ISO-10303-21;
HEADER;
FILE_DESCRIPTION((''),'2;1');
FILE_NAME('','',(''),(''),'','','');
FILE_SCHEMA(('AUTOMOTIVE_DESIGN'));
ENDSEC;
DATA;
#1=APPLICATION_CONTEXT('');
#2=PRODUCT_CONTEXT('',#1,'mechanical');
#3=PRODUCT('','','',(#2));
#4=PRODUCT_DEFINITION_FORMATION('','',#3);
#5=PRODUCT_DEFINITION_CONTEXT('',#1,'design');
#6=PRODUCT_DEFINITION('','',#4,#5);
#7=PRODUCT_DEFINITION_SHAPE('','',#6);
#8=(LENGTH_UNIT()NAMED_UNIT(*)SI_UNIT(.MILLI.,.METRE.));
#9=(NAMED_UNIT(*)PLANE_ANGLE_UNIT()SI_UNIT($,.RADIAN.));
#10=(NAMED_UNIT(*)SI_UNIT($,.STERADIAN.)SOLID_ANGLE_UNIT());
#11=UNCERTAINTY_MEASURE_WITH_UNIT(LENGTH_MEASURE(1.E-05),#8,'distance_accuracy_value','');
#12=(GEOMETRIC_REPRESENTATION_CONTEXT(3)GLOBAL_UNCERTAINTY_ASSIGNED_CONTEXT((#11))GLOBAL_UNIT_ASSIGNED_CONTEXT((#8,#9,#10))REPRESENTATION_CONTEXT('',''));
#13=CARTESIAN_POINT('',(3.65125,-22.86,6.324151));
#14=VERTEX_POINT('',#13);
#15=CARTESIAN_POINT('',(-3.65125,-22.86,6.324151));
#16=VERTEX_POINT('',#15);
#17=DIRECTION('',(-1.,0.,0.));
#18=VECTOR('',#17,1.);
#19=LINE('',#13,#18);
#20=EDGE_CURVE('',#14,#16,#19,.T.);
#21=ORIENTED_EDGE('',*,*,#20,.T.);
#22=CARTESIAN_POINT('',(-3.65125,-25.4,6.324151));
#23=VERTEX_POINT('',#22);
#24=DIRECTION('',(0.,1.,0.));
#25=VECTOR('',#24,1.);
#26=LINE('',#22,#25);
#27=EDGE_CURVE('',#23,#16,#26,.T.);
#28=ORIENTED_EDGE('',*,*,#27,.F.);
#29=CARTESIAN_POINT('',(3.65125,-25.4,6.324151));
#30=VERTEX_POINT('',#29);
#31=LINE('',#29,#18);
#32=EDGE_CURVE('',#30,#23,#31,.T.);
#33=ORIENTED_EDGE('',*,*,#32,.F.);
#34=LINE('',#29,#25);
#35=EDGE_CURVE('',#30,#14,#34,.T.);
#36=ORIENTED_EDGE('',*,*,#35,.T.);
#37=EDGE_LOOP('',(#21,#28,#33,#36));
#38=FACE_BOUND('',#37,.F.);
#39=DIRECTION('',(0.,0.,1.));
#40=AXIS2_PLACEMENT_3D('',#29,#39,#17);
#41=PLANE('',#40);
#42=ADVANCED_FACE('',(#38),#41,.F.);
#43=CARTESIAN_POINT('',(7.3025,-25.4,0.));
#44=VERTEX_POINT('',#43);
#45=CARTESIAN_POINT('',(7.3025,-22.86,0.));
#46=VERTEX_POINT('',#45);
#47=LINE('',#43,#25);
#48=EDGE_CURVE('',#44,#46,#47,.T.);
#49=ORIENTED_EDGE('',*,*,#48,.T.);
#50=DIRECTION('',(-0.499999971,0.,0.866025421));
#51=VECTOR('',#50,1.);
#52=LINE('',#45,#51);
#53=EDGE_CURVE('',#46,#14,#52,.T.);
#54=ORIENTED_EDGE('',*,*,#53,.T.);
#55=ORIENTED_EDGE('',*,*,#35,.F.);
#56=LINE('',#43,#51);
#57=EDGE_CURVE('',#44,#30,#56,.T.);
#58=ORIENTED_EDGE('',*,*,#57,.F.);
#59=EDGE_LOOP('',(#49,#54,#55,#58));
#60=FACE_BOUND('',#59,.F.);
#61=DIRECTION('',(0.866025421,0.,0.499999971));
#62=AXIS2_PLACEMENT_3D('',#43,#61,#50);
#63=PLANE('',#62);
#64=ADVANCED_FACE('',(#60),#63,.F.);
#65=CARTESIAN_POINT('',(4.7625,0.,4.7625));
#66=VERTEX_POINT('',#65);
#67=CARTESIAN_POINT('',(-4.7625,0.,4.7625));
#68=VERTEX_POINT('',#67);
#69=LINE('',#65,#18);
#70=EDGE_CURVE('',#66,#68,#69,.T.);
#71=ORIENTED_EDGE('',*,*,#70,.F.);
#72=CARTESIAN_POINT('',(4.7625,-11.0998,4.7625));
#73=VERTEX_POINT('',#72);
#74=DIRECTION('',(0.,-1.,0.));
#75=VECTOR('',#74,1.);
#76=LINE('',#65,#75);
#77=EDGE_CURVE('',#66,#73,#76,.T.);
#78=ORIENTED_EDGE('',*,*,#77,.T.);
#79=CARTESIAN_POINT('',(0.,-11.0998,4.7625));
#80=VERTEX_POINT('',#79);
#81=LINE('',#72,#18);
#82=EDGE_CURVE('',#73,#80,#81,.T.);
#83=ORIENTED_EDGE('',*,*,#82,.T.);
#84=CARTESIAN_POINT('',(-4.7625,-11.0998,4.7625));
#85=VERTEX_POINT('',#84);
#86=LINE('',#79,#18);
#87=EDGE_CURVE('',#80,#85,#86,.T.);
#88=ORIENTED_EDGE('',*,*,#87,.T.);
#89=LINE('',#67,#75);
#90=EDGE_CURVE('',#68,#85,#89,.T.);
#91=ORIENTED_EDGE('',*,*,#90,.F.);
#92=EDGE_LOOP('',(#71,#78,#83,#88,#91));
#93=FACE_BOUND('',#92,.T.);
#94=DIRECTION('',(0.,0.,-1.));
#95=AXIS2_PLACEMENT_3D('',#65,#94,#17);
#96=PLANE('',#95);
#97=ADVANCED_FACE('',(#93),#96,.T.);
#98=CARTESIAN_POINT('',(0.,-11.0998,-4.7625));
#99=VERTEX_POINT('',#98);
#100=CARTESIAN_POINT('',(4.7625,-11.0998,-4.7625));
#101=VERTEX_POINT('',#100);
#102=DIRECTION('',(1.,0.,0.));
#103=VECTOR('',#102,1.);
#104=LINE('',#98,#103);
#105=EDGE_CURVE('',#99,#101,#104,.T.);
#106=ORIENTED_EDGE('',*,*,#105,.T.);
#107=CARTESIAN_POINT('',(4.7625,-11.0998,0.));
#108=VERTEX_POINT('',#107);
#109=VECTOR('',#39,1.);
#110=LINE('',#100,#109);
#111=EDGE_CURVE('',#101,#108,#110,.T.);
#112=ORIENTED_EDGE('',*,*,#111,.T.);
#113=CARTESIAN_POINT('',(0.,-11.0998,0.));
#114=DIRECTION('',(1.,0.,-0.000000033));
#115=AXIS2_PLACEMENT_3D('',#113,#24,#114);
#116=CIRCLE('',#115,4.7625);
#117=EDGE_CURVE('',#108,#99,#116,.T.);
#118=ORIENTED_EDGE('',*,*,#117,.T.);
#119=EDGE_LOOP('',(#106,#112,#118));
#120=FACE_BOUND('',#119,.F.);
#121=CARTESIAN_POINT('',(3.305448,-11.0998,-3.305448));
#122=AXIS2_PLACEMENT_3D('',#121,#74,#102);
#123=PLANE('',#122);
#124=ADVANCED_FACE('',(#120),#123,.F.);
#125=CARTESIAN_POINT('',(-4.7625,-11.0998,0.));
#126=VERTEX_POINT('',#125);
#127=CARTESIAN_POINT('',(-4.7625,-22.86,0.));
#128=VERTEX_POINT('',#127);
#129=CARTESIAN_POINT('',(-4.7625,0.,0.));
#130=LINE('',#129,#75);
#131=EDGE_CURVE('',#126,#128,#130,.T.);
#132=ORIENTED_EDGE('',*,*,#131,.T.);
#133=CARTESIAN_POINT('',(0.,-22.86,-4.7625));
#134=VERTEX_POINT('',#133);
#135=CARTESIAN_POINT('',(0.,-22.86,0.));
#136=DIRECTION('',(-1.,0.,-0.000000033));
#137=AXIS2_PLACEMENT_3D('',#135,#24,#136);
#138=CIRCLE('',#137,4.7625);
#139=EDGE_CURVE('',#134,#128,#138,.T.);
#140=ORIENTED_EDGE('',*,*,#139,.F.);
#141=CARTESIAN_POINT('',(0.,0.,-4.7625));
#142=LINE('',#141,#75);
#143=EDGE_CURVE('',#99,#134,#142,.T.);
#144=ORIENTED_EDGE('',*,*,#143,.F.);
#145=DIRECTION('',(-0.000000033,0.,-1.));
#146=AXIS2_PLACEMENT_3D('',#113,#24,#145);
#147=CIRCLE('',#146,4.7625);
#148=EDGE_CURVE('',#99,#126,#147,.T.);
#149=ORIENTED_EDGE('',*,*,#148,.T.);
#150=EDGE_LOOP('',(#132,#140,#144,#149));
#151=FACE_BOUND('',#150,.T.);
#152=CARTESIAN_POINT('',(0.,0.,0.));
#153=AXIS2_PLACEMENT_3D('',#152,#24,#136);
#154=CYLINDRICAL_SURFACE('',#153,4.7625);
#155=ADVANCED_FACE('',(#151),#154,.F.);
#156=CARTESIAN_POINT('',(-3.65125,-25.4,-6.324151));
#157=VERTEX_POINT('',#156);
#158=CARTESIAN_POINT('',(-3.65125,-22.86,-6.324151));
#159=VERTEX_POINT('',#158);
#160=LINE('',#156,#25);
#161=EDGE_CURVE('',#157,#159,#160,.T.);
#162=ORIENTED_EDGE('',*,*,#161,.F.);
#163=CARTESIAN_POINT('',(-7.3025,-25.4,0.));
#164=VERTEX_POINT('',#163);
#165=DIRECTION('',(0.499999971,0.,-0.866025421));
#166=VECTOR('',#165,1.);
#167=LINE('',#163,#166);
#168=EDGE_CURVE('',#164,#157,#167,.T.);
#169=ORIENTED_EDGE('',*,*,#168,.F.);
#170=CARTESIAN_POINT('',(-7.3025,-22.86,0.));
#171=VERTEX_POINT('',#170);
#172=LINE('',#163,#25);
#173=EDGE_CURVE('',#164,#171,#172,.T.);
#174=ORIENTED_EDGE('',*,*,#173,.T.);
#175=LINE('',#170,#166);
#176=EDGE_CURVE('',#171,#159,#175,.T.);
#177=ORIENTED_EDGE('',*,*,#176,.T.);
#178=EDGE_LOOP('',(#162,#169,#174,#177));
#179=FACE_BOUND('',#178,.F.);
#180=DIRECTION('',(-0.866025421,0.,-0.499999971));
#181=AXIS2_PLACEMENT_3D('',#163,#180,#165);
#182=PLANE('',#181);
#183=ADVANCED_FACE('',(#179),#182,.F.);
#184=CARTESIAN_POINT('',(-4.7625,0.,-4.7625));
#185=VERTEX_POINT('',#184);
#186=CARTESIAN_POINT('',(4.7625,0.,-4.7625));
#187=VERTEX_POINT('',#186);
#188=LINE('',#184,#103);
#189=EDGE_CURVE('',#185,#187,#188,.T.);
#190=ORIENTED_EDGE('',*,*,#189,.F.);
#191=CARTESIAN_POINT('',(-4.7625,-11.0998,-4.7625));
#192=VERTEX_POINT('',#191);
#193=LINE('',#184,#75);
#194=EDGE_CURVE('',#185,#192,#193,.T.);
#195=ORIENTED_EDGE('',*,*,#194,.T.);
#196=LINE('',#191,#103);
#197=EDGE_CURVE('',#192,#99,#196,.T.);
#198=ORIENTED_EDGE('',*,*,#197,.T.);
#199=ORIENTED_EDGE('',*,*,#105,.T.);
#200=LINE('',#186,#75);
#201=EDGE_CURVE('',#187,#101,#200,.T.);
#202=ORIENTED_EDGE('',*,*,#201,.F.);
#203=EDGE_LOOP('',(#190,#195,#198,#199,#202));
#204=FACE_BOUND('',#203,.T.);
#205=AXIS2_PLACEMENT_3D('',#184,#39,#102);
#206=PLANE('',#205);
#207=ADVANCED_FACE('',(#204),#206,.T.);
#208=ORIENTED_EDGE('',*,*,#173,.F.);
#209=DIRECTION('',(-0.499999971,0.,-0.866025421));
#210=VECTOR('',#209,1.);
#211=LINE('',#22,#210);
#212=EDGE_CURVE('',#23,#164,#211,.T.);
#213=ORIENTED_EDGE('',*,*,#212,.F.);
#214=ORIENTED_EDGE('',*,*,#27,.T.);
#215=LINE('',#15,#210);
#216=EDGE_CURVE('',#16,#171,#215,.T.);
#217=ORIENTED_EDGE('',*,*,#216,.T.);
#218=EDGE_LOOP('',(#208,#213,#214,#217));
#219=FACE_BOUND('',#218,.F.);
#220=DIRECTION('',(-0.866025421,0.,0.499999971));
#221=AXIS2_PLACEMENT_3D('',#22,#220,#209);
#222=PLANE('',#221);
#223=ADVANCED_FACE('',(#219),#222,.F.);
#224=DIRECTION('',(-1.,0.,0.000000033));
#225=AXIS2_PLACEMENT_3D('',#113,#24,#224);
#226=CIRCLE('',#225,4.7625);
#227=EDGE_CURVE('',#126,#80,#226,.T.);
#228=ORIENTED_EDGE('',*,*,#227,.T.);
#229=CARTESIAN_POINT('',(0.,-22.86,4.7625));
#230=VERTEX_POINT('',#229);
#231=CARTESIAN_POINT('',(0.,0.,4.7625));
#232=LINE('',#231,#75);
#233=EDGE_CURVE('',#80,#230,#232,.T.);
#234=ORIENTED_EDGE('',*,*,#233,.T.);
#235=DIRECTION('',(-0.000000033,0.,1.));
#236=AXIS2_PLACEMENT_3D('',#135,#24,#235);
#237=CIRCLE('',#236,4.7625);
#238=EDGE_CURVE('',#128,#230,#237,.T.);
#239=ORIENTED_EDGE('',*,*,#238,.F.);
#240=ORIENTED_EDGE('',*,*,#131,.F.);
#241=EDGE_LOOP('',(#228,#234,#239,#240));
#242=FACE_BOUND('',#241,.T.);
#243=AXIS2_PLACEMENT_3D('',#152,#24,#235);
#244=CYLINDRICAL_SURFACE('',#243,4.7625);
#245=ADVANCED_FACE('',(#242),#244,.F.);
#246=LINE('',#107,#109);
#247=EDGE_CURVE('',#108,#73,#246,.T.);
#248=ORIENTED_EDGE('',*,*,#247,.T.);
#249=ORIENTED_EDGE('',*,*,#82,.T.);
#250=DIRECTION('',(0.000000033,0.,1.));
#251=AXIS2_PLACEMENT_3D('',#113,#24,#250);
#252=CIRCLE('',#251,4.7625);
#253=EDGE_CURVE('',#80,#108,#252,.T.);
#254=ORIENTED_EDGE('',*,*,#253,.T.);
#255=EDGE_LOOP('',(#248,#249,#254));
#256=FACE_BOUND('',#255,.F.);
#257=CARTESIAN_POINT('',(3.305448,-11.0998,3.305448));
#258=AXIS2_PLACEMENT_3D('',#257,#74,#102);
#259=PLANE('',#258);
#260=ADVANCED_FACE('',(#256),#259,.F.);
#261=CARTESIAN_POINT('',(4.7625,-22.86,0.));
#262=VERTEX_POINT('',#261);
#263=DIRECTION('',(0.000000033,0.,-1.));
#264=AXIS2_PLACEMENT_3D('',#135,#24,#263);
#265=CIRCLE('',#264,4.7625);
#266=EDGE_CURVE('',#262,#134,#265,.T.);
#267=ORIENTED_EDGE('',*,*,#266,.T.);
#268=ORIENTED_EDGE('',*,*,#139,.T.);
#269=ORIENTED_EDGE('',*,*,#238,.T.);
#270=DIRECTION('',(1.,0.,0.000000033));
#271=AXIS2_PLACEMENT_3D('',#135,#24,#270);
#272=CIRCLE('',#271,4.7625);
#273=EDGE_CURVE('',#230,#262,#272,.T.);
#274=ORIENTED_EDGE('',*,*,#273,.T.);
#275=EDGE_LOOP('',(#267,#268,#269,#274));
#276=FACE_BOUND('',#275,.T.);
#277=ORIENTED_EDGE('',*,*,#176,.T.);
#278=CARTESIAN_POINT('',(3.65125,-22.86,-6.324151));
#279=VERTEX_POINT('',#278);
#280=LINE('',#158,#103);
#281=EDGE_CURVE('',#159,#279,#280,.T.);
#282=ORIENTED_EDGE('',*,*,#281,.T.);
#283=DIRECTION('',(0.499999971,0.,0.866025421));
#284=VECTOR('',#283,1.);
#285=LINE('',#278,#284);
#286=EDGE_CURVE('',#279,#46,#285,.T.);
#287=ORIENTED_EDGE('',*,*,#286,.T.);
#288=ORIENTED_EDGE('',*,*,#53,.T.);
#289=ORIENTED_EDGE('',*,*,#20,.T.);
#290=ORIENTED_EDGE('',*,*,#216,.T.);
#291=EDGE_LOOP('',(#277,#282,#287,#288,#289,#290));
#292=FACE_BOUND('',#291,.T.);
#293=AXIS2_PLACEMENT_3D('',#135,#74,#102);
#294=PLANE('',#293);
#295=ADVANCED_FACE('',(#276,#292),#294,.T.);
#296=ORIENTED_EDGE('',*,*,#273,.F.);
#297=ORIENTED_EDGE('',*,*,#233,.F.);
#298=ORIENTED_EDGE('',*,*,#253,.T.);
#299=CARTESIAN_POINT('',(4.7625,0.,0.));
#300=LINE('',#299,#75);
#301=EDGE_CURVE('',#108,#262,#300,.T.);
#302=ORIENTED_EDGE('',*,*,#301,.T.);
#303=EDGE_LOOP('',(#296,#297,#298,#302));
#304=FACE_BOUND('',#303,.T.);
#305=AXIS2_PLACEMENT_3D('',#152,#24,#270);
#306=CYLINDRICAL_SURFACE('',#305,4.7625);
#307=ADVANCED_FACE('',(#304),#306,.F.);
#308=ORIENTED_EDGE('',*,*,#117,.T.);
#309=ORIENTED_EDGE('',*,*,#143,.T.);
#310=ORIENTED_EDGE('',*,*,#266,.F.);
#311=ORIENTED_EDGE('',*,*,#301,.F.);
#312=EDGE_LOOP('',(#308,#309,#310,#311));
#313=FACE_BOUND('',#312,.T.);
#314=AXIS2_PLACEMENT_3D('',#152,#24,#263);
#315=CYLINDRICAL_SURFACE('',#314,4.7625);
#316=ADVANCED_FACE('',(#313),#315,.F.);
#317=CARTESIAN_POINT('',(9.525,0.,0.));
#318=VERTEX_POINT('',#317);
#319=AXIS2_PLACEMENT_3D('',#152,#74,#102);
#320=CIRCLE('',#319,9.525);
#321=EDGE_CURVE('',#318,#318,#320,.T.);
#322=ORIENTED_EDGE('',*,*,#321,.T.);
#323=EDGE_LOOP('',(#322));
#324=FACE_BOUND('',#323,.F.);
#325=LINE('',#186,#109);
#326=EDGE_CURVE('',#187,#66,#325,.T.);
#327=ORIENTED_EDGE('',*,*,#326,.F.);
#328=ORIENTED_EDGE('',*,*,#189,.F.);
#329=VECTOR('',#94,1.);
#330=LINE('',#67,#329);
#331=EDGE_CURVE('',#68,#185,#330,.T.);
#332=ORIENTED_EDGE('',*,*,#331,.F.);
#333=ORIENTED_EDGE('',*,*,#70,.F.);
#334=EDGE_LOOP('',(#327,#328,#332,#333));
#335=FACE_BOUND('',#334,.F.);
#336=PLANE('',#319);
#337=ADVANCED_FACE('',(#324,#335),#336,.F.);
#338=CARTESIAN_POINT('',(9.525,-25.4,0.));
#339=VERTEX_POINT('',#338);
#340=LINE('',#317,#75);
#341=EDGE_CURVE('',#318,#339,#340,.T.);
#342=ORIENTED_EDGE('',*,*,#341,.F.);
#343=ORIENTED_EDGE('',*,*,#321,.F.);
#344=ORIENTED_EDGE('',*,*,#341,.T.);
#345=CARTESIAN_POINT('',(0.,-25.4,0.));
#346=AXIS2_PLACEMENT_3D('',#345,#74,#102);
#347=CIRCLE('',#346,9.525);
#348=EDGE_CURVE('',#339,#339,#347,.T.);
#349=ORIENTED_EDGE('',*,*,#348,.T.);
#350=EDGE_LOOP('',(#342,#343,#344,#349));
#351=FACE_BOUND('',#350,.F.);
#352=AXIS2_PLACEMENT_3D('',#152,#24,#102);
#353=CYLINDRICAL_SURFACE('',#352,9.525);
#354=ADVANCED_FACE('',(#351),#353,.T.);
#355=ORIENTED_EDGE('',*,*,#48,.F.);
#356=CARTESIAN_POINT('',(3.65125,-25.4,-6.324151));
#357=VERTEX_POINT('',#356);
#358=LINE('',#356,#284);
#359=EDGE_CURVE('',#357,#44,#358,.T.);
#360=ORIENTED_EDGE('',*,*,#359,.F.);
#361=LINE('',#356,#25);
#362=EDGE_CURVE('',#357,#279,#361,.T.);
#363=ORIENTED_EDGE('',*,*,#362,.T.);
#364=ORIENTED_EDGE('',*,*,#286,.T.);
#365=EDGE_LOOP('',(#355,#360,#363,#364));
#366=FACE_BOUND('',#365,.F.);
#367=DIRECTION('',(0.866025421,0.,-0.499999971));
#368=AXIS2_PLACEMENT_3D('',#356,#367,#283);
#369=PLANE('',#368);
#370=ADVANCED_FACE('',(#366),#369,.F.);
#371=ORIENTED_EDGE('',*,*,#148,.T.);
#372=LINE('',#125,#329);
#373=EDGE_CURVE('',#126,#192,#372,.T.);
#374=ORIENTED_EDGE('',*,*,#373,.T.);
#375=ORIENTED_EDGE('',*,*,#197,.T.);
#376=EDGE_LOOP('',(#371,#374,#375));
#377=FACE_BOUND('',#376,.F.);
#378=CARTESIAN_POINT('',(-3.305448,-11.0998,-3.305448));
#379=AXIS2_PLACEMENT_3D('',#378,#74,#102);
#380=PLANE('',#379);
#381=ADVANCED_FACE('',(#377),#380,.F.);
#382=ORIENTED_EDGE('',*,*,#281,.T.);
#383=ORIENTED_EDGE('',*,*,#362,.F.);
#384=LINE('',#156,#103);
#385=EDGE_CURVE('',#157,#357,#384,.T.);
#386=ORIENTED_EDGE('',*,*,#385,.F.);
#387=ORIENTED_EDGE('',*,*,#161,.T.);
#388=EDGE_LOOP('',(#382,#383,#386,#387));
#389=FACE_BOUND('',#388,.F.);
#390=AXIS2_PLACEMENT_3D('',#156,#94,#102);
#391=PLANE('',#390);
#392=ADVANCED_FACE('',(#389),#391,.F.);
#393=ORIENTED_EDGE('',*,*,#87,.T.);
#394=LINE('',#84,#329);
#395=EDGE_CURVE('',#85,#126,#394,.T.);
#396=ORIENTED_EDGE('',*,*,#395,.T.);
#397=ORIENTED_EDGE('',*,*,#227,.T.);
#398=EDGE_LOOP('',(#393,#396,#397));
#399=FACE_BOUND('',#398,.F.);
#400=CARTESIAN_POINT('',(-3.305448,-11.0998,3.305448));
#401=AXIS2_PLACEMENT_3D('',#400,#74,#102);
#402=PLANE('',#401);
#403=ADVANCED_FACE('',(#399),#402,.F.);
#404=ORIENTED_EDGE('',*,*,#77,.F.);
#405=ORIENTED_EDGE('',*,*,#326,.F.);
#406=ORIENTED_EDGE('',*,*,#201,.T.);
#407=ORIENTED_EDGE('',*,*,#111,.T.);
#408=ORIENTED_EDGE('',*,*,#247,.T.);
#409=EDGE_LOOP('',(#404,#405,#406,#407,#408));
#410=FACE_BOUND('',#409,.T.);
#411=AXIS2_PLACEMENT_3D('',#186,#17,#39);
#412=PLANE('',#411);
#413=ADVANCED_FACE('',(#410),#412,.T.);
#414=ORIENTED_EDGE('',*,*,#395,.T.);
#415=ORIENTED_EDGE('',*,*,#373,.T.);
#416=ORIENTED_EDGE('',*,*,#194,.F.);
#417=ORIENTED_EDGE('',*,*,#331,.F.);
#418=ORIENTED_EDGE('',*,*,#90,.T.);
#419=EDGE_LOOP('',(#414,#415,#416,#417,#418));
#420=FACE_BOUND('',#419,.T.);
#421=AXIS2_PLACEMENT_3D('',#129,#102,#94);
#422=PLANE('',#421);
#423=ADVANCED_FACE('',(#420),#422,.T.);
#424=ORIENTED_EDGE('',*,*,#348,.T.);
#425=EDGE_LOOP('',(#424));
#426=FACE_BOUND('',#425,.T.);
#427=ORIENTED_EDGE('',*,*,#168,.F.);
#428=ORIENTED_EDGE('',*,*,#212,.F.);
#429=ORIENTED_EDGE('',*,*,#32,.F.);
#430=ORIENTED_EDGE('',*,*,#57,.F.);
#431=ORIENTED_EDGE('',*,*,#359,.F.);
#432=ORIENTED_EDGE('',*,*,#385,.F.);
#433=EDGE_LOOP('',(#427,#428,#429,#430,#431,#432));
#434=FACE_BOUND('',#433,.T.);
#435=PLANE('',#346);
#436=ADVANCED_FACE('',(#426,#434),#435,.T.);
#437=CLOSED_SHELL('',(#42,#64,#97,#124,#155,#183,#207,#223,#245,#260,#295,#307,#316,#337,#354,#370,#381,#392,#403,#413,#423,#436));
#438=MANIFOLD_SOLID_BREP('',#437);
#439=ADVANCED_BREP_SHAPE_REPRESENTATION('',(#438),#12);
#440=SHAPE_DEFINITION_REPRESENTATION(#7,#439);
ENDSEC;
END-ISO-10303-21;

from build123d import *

# Parameters (mm, degrees)
F0_R     = 9.525
F1_DEPTH = 25.4
F3_DEPTH = 25.4
F4_DEPTH = 11.0998
F6_DEPTH = 2.54


with BuildPart() as f1:
    # F0 (on Front) → F1 (new body)
    with BuildSketch(Plane.XZ):
        Circle(F0_R)
    extrude(amount=F1_DEPTH)

    # F2 (on Front) → F3 (cut)
    with BuildSketch(Plane.XZ):
        with BuildLine():
            ThreePointArc((-4.7625, 0), (-3.367596, -3.367596), (0, -4.7625))
            ThreePointArc((0, -4.7625), (3.367596, -3.367596), (4.7625, 0))
            ThreePointArc((4.7625, 0), (3.367596, 3.367596), (0, 4.7625))
            ThreePointArc((0, 4.7625), (-3.367596, 3.367596), (-4.7625, 0))
        make_face()
    extrude(amount=F3_DEPTH, mode=Mode.SUBTRACT)

    # F2 (on Front) → F4 (cut)
    with BuildSketch(Plane.XZ):
        with BuildLine():
            Line((-4.7625, 0), (-4.7625, -4.7625))
            Line((-4.7625, -4.7625), (0, -4.7625))
            ThreePointArc((0, -4.7625), (-3.367596, -3.367596), (-4.7625, 0))
        make_face()
        with BuildLine():
            ThreePointArc((4.7625, 0), (3.367596, -3.367596), (0, -4.7625))
            Line((0, -4.7625), (4.7625, -4.7625))
            Line((4.7625, -4.7625), (4.7625, 0))
        make_face()
        with BuildLine():
            Line((-4.7625, 4.7625), (-4.7625, 0))
            ThreePointArc((-4.7625, 0), (-3.367596, 3.367596), (0, 4.7625))
            Line((0, 4.7625), (-4.7625, 4.7625))
        make_face()
        with BuildLine():
            ThreePointArc((0, 4.7625), (3.367596, 3.367596), (4.7625, 0))
            Line((4.7625, 0), (4.7625, 4.7625))
            Line((4.7625, 4.7625), (0, 4.7625))
        make_face()
    extrude(amount=F4_DEPTH, mode=Mode.SUBTRACT)

    # F5 (on face) → F6 (cut)
    with BuildSketch(Plane.XZ.offset(25.4)):
        Polygon((7.3025, 0), (3.65125, 6.324151), (-3.65125, 6.324151), (-7.3025, 0), (-3.65125, -6.324151), (3.65125, -6.324151), align=None)
    extrude(amount=-F6_DEPTH, mode=Mode.SUBTRACT)


solid = f1.part
